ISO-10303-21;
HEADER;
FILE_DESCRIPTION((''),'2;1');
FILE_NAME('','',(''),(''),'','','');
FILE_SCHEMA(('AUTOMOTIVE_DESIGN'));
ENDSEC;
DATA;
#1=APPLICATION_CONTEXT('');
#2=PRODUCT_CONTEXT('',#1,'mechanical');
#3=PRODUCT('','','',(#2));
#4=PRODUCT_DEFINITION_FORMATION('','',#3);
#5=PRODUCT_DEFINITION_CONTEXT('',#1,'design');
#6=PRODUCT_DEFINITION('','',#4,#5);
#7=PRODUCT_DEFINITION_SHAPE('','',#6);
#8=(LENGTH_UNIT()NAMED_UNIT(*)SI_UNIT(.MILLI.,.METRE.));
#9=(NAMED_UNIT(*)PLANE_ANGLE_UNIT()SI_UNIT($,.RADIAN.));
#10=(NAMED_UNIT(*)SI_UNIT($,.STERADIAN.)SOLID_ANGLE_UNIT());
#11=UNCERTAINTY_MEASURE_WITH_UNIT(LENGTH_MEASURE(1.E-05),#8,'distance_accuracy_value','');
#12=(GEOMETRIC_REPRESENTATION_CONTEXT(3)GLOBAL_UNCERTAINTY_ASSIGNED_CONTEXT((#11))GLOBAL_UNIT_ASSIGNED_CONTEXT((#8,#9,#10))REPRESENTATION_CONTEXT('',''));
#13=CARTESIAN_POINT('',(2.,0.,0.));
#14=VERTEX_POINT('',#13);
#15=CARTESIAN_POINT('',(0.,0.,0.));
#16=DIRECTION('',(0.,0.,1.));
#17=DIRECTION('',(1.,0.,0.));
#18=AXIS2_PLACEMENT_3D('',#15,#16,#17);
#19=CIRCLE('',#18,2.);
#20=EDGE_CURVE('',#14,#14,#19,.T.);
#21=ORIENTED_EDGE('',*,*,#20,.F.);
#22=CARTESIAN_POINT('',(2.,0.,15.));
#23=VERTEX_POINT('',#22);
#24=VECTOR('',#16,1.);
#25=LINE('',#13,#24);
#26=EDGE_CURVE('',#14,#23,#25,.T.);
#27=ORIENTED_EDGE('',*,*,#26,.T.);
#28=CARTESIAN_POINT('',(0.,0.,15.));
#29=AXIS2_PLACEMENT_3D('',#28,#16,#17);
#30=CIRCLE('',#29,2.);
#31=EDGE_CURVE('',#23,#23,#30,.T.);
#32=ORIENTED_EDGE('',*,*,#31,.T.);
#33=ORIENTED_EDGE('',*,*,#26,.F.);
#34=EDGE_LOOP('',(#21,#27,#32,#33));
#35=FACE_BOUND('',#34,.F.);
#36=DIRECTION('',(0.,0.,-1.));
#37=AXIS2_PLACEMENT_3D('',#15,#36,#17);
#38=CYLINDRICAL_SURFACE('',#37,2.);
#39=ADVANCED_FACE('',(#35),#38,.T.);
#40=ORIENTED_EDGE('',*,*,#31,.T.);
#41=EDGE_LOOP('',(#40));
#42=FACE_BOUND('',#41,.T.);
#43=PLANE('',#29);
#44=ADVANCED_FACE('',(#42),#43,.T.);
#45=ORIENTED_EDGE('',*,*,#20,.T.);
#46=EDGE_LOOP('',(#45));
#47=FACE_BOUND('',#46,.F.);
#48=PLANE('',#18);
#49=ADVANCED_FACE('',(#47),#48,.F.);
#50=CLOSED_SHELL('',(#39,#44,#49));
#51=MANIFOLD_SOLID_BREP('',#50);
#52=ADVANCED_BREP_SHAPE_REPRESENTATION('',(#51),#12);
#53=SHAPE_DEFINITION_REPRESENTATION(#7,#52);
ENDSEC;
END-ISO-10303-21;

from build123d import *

# Parameters (mm, degrees)
SKETCH1_R           = 2
BOSS_EXTRUDE1_DEPTH = 15


with BuildPart() as part:
    # Sketch1 → Boss-Extrude1 (new body)
    with BuildSketch(Plane.XY):
        Circle(SKETCH1_R)
    extrude(amount=BOSS_EXTRUDE1_DEPTH)


solid = part.part
